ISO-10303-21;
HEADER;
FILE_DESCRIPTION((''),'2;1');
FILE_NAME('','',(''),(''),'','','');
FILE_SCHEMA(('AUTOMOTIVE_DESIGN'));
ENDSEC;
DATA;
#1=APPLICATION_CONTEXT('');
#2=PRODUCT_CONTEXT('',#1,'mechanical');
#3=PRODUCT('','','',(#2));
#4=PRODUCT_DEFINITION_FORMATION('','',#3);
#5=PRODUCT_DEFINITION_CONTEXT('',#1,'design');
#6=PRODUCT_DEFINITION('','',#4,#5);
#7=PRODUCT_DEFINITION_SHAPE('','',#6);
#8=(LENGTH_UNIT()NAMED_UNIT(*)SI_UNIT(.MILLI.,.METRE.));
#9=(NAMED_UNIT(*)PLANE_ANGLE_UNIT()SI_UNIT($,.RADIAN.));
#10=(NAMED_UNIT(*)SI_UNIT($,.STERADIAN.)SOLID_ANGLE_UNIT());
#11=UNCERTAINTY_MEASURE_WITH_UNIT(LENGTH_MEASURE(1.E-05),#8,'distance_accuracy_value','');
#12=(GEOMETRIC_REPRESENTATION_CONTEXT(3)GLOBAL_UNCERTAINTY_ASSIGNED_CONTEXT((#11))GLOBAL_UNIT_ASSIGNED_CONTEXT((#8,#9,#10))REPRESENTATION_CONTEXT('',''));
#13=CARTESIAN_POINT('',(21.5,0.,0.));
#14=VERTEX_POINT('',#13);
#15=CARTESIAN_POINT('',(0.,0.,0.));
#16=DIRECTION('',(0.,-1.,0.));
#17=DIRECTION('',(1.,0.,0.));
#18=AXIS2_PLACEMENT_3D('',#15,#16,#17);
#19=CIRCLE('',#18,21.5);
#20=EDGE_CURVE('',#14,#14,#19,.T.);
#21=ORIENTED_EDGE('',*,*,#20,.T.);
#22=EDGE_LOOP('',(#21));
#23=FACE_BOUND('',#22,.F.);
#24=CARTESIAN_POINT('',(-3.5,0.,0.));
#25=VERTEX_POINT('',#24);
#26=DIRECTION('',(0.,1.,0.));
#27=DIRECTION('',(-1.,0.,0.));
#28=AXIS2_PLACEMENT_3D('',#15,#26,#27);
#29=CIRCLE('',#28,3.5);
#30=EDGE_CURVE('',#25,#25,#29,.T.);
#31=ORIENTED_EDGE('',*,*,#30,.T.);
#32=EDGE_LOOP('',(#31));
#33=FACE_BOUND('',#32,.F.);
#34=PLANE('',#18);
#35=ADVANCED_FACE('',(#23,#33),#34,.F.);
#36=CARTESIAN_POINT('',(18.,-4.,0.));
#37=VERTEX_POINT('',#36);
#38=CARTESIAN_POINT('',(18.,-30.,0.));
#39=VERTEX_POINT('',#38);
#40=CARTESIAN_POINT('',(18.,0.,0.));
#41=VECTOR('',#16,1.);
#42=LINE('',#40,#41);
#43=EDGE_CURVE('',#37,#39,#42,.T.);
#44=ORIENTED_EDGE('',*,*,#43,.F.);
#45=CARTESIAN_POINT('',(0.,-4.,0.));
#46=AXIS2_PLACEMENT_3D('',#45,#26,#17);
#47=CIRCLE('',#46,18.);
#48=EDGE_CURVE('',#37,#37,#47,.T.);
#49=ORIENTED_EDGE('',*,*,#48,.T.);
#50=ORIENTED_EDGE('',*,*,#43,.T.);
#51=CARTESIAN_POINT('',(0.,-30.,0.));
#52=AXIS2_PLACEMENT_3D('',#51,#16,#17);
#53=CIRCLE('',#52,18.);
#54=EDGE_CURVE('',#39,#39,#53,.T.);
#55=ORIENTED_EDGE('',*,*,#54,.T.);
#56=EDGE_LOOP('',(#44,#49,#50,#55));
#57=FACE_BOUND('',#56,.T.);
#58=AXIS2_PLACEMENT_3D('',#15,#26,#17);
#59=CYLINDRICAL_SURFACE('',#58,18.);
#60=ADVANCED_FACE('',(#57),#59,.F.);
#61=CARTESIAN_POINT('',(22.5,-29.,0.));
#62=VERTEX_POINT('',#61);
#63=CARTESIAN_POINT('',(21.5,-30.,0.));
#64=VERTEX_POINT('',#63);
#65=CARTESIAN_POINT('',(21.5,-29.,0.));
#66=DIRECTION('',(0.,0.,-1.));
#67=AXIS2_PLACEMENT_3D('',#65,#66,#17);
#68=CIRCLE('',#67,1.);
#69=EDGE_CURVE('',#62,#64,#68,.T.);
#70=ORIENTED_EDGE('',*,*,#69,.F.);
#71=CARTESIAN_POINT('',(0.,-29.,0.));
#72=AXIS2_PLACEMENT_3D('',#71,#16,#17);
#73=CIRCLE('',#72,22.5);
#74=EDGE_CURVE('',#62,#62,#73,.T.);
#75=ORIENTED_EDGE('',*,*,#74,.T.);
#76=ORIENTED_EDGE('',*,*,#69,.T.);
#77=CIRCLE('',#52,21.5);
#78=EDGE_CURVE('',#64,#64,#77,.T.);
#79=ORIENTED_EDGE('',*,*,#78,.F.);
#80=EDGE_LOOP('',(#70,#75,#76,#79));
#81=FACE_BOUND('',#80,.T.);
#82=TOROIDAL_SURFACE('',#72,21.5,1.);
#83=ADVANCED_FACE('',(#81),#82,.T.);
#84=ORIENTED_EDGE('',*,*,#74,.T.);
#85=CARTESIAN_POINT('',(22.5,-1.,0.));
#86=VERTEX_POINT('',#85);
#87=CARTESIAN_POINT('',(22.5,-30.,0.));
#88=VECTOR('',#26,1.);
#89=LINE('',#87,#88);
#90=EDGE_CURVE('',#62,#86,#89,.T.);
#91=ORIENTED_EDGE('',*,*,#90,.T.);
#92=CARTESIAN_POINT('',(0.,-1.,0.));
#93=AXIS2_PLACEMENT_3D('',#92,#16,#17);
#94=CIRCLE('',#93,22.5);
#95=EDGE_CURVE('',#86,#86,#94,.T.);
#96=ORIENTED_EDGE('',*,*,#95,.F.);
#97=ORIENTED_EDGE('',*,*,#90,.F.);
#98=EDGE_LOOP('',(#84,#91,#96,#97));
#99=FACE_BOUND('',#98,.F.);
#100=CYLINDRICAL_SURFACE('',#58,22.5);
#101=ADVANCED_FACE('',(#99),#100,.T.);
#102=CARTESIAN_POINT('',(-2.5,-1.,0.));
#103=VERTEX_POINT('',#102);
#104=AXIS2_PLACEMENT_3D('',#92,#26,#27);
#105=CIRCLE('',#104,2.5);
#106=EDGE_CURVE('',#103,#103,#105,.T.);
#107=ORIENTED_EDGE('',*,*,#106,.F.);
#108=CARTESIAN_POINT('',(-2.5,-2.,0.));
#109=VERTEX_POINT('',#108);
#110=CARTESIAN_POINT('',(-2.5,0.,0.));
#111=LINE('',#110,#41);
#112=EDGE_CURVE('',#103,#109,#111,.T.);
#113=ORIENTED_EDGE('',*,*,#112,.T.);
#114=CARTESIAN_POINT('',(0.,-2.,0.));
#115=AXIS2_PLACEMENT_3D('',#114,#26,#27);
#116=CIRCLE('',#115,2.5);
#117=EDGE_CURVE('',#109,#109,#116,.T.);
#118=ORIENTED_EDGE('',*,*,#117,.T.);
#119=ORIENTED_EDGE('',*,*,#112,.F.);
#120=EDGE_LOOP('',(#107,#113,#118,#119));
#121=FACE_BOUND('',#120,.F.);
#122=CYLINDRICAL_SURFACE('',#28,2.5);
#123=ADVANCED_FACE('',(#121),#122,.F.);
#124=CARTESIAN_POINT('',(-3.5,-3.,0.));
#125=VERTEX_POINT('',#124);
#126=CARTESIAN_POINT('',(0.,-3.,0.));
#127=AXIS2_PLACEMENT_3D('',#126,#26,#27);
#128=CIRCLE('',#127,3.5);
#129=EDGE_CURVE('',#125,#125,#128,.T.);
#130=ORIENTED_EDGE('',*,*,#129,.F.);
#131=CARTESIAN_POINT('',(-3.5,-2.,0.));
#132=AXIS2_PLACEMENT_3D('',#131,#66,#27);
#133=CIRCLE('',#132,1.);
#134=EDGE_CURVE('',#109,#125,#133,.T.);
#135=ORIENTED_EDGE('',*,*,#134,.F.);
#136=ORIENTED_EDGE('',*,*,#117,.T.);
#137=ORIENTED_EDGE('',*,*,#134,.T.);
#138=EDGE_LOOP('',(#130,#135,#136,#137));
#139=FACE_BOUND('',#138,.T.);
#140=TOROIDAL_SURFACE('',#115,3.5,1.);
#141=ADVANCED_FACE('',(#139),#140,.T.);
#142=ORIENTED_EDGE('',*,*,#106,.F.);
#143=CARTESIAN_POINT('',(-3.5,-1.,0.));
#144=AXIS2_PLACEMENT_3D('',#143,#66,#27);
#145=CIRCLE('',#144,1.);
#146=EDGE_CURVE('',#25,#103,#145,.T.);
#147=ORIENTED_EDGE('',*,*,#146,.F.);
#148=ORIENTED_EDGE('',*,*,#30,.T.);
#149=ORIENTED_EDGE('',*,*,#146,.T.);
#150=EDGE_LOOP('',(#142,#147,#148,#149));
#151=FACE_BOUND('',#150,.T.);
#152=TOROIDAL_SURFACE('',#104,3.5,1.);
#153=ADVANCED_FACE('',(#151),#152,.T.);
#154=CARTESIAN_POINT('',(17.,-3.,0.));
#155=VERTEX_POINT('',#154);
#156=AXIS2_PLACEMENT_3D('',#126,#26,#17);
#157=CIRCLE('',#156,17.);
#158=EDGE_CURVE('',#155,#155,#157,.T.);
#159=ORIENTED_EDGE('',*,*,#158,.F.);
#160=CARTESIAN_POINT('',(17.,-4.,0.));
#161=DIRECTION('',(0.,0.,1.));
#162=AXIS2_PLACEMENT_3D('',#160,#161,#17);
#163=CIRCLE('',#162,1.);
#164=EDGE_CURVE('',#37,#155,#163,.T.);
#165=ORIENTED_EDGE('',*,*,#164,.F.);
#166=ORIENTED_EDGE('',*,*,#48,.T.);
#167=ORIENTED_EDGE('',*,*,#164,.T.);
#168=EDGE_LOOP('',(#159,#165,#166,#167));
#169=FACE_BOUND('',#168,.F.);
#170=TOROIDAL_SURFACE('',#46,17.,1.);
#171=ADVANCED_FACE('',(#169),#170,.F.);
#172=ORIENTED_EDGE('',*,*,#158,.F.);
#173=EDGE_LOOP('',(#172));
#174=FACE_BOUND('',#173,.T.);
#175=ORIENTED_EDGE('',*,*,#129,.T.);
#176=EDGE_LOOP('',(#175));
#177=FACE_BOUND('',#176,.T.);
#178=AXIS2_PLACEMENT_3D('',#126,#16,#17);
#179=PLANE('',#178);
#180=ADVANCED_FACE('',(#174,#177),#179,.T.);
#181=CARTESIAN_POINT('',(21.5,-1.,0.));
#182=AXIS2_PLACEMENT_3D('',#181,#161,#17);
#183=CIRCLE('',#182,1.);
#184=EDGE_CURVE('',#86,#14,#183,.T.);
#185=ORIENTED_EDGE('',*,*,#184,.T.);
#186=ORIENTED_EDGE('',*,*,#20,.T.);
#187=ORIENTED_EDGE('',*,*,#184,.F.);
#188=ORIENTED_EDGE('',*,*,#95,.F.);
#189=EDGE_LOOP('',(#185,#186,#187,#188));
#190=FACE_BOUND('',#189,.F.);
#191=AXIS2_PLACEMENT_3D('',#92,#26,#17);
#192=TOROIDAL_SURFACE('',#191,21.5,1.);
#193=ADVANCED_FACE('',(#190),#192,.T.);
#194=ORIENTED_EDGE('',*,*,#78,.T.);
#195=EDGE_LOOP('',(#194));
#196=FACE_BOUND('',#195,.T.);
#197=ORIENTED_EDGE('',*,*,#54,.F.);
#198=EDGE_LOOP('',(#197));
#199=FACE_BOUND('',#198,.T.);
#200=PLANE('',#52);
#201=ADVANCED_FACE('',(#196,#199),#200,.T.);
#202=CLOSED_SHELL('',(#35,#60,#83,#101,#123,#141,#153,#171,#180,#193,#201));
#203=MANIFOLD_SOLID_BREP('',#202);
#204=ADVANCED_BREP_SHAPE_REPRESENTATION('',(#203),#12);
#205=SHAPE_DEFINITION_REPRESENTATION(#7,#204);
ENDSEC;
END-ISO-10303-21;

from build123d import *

# Parameters (mm, degrees)
F0_R     = 22.5
F0_R_2   = 18
F1_DEPTH = 3
F2_DEPTH = 30
F3_R     = 1
F4_R     = 2.5
F5_DEPTH = 25
F6_R     = 1


with BuildPart() as f1:
    # F0 (on Front) → F1 (new body)
    with BuildSketch(Plane.XZ):
        Circle(F0_R)
        Circle(F0_R_2, mode=Mode.SUBTRACT)
        Circle(F0_R_2)
    extrude(amount=F1_DEPTH)

    # F0 (on Front) → F2 (join)
    with BuildSketch(Plane.XZ):
        Circle(F0_R)
        Circle(F0_R_2, mode=Mode.SUBTRACT)
    extrude(amount=F2_DEPTH)

    # F3
    f3_edges = [f1.edges().sort_by_distance(p)[0] for p in [
        (-18, -3, 0),
        (-22.5, -30, 0),
        (-22.5, 0, 0),
    ]]
    fillet(f3_edges, radius=F3_R)

    # F4 (on face) → F5 (cut)
    with BuildSketch(Plane(origin=(0, 0, 0), x_dir=(-1, 0, 0), z_dir=(0, 1, 0))):
        Circle(F4_R)
    extrude(amount=-F5_DEPTH, mode=Mode.SUBTRACT)

    # F6
    f6_edges = [f1.edges().sort_by_distance(p)[0] for p in [
        (2.5, -3, 0),
        (2.5, 0, 0),
    ]]
    fillet(f6_edges, radius=F6_R)


solid = f1.part
